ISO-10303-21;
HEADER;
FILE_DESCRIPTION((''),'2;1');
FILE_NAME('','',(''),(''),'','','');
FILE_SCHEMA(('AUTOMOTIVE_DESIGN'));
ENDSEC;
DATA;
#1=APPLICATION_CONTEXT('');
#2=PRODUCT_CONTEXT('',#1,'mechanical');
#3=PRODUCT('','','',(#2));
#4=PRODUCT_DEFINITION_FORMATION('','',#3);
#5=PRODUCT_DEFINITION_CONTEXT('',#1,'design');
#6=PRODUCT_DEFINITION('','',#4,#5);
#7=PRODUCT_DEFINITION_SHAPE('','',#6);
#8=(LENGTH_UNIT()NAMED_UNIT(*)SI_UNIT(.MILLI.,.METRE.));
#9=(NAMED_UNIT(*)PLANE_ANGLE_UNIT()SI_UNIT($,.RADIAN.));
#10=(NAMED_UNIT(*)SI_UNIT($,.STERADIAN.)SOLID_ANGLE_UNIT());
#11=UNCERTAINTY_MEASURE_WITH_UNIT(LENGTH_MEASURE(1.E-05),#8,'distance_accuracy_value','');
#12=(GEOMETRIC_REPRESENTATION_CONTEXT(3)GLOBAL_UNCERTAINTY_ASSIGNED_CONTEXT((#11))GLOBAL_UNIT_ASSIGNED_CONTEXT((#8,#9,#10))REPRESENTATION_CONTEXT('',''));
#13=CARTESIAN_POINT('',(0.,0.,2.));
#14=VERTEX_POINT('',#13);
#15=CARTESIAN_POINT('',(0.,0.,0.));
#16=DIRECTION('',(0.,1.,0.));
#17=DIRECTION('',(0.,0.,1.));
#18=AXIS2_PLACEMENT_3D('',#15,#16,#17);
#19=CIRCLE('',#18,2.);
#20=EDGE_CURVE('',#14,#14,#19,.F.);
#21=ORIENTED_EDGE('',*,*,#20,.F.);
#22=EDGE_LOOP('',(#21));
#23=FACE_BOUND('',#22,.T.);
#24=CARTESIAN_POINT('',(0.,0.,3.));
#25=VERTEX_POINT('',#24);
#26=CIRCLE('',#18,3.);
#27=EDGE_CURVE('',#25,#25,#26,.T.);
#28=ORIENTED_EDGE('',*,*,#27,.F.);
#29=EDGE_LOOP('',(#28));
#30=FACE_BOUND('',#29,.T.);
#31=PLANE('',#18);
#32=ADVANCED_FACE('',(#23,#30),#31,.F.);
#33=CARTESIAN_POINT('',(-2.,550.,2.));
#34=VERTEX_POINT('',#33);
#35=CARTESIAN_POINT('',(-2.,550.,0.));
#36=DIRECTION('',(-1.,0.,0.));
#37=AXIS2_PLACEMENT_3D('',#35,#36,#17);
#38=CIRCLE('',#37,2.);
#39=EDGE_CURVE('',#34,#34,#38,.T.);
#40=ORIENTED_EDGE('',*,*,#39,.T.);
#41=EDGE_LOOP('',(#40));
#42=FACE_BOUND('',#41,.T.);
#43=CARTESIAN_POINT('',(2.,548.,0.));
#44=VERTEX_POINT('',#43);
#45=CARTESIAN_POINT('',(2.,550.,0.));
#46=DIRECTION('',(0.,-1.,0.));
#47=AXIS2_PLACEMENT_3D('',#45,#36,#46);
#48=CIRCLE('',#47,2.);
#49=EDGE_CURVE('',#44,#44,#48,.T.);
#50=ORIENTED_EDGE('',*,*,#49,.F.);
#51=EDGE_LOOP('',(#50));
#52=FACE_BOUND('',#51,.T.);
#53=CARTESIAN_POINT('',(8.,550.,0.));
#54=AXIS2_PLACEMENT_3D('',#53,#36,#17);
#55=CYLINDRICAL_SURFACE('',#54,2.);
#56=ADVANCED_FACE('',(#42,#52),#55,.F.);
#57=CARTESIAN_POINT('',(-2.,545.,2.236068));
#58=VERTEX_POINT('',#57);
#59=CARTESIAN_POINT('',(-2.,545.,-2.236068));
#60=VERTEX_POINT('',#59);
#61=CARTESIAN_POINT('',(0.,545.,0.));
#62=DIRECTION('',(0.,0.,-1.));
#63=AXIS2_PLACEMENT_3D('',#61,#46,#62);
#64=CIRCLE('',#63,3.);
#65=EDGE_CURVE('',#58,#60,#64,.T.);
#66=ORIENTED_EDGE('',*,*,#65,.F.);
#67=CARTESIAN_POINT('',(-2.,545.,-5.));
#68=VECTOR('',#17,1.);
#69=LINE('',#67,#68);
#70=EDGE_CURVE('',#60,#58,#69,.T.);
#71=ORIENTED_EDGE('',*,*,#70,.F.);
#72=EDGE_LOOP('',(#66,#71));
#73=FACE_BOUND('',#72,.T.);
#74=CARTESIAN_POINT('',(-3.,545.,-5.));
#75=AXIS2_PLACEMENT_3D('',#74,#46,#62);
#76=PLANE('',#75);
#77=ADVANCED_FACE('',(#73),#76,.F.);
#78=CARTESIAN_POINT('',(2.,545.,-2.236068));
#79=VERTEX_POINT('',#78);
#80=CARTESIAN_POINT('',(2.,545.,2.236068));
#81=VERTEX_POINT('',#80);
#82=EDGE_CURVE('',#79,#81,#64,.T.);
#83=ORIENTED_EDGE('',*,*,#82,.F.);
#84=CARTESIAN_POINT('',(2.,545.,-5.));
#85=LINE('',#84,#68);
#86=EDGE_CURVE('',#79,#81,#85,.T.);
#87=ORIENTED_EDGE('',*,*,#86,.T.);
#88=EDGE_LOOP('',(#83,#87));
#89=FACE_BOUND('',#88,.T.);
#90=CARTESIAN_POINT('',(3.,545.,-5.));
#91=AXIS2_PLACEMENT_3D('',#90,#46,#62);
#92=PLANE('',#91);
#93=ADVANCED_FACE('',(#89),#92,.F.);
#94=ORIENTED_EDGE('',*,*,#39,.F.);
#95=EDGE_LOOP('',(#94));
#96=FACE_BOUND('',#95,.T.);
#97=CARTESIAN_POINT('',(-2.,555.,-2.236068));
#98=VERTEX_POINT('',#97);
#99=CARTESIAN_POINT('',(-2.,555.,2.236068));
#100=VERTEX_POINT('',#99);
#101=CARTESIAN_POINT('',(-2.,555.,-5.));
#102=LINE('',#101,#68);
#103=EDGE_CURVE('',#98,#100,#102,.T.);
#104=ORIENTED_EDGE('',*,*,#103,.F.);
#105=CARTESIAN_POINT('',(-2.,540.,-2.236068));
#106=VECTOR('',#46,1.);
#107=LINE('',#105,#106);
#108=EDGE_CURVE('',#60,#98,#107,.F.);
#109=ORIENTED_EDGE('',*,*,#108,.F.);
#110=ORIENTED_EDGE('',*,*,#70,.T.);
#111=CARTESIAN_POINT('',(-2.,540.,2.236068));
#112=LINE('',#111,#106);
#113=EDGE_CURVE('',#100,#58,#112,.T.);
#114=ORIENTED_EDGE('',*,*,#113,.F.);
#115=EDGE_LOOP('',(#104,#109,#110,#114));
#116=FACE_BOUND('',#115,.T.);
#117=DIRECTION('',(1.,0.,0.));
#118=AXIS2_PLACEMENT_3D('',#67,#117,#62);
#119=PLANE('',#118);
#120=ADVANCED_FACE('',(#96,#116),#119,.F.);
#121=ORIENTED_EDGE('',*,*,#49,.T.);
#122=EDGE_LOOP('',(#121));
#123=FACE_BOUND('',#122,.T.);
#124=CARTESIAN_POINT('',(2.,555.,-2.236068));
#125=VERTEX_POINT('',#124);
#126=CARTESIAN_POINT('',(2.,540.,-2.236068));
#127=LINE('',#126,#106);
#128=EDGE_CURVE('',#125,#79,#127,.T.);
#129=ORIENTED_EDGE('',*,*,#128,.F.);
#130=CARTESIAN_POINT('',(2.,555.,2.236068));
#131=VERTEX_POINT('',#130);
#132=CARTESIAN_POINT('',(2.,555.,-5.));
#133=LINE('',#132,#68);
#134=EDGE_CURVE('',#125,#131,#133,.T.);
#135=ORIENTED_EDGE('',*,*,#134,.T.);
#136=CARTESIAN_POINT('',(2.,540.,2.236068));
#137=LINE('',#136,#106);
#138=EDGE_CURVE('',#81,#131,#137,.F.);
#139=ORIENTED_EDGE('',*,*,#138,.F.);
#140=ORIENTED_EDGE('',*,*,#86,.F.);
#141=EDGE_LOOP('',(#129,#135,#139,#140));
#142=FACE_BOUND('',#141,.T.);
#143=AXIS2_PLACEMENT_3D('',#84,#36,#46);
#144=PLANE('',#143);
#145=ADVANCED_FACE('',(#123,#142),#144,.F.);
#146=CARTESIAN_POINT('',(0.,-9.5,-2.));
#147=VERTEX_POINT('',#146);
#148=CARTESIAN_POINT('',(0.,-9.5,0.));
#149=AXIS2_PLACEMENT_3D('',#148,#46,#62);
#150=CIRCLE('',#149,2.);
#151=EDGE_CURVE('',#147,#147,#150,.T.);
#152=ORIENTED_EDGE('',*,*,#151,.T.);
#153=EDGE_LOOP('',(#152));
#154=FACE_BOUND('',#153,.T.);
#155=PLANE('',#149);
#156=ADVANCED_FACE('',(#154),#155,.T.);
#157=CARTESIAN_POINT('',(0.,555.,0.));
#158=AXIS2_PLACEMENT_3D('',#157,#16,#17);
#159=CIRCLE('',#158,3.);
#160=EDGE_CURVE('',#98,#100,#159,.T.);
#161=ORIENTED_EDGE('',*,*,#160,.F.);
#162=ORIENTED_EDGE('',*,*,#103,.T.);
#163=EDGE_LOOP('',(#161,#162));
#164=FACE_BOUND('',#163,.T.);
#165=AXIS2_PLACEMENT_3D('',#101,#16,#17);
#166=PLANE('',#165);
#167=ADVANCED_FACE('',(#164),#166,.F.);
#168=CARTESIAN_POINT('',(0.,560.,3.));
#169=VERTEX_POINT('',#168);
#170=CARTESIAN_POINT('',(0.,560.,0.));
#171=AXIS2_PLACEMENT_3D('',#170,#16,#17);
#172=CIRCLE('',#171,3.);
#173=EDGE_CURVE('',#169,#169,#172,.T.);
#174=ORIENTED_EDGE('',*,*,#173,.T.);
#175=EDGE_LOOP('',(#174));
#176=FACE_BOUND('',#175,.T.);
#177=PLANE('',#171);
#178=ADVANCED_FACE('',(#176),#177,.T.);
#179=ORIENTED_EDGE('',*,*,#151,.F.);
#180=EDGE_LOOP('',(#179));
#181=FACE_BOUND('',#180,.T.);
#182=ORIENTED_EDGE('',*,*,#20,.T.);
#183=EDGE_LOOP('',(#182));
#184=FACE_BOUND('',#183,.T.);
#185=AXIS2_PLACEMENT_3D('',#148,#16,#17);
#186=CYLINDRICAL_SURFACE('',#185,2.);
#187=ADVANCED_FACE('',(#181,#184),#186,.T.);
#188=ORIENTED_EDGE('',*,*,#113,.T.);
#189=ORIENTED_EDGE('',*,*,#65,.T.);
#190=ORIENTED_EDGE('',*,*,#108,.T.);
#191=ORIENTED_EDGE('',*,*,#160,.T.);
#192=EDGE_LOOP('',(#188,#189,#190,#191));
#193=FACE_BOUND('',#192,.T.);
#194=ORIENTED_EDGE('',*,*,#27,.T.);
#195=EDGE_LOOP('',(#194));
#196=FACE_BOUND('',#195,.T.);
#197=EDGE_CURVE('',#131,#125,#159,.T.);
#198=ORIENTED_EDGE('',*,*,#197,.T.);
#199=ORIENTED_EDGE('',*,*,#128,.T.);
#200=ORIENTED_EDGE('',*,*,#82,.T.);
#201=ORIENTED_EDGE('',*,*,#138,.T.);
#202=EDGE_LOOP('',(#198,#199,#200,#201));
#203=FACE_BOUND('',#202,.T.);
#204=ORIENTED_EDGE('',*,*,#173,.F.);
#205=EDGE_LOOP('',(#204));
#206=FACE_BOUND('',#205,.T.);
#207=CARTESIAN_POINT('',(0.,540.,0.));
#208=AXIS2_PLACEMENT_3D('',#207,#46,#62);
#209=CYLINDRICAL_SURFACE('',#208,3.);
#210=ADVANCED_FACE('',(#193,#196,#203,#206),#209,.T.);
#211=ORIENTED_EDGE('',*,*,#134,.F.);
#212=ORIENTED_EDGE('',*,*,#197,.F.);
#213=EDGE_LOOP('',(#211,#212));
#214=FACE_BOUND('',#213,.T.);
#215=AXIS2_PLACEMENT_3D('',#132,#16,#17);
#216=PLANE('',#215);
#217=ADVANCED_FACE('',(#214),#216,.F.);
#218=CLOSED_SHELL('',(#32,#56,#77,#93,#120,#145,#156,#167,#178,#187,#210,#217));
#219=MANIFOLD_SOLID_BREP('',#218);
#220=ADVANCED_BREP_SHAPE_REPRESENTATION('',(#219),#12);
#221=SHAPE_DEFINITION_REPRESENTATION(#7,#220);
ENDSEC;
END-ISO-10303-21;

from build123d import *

# Parameters (mm, degrees)
SKETCH_2_R          = 3
EXTRUDE_1_DEPTH     = 540
SKETCH_3_R          = 2
EXTRUDE_2_DEPTH     = 9.5
SKETCH_4_R          = 3
EXTRUDE_3_DEPTH     = 20
SKETCH_6_W          = 1
SKETCH_6_H          = 10
CUT_EXTRUDE_2_DEPTH = 5
SKETCH_7_R          = 2
CUT_EXTRUDE_3_DEPTH = 10


with BuildPart() as part:
    # 草图2 → 凸台-拉伸1 (new body)
    with BuildSketch(Plane(origin=(0, 0, 0), x_dir=(1, 0, 0), z_dir=(0, 1, 0))):
        with Locations(Location((0, 0, 0), (0, 0, 270))):
            Circle(SKETCH_2_R)
    extrude(amount=EXTRUDE_1_DEPTH)

    # 草图3 → 凸台-拉伸2 (add)
    with BuildSketch(Plane.XZ):
        with Locations(Location((0, 0, 0), (0, 0, 90))):
            Circle(SKETCH_3_R)
    extrude(amount=EXTRUDE_2_DEPTH)

    # 草图4 → 凸台-拉伸3 (add)
    with BuildSketch(Plane(origin=(0, 540, 0), x_dir=(1, 0, 0), z_dir=(0, 1, 0))):
        with Locations(Location((0, 0, 0), (0, 0, 270))):
            Circle(SKETCH_4_R)
    extrude(amount=EXTRUDE_3_DEPTH)

    # 草图6 → 切除-拉伸2 (cut, symmetric)
    with BuildSketch(Plane.XY):
        with Locations((-2.5, 550)):
            Rectangle(SKETCH_6_W, SKETCH_6_H)
        with Locations((2.5, 550)):
            Rectangle(SKETCH_6_W, SKETCH_6_H)
    extrude(amount=CUT_EXTRUDE_2_DEPTH, both=True, mode=Mode.SUBTRACT)

    # 草图7 → 切除-拉伸3 (cut)
    with BuildSketch(Plane.ZY.offset(2)):
        with Locations((0, 550)):
            Circle(SKETCH_7_R)
    extrude(amount=-CUT_EXTRUDE_3_DEPTH, mode=Mode.SUBTRACT)


solid = part.part
